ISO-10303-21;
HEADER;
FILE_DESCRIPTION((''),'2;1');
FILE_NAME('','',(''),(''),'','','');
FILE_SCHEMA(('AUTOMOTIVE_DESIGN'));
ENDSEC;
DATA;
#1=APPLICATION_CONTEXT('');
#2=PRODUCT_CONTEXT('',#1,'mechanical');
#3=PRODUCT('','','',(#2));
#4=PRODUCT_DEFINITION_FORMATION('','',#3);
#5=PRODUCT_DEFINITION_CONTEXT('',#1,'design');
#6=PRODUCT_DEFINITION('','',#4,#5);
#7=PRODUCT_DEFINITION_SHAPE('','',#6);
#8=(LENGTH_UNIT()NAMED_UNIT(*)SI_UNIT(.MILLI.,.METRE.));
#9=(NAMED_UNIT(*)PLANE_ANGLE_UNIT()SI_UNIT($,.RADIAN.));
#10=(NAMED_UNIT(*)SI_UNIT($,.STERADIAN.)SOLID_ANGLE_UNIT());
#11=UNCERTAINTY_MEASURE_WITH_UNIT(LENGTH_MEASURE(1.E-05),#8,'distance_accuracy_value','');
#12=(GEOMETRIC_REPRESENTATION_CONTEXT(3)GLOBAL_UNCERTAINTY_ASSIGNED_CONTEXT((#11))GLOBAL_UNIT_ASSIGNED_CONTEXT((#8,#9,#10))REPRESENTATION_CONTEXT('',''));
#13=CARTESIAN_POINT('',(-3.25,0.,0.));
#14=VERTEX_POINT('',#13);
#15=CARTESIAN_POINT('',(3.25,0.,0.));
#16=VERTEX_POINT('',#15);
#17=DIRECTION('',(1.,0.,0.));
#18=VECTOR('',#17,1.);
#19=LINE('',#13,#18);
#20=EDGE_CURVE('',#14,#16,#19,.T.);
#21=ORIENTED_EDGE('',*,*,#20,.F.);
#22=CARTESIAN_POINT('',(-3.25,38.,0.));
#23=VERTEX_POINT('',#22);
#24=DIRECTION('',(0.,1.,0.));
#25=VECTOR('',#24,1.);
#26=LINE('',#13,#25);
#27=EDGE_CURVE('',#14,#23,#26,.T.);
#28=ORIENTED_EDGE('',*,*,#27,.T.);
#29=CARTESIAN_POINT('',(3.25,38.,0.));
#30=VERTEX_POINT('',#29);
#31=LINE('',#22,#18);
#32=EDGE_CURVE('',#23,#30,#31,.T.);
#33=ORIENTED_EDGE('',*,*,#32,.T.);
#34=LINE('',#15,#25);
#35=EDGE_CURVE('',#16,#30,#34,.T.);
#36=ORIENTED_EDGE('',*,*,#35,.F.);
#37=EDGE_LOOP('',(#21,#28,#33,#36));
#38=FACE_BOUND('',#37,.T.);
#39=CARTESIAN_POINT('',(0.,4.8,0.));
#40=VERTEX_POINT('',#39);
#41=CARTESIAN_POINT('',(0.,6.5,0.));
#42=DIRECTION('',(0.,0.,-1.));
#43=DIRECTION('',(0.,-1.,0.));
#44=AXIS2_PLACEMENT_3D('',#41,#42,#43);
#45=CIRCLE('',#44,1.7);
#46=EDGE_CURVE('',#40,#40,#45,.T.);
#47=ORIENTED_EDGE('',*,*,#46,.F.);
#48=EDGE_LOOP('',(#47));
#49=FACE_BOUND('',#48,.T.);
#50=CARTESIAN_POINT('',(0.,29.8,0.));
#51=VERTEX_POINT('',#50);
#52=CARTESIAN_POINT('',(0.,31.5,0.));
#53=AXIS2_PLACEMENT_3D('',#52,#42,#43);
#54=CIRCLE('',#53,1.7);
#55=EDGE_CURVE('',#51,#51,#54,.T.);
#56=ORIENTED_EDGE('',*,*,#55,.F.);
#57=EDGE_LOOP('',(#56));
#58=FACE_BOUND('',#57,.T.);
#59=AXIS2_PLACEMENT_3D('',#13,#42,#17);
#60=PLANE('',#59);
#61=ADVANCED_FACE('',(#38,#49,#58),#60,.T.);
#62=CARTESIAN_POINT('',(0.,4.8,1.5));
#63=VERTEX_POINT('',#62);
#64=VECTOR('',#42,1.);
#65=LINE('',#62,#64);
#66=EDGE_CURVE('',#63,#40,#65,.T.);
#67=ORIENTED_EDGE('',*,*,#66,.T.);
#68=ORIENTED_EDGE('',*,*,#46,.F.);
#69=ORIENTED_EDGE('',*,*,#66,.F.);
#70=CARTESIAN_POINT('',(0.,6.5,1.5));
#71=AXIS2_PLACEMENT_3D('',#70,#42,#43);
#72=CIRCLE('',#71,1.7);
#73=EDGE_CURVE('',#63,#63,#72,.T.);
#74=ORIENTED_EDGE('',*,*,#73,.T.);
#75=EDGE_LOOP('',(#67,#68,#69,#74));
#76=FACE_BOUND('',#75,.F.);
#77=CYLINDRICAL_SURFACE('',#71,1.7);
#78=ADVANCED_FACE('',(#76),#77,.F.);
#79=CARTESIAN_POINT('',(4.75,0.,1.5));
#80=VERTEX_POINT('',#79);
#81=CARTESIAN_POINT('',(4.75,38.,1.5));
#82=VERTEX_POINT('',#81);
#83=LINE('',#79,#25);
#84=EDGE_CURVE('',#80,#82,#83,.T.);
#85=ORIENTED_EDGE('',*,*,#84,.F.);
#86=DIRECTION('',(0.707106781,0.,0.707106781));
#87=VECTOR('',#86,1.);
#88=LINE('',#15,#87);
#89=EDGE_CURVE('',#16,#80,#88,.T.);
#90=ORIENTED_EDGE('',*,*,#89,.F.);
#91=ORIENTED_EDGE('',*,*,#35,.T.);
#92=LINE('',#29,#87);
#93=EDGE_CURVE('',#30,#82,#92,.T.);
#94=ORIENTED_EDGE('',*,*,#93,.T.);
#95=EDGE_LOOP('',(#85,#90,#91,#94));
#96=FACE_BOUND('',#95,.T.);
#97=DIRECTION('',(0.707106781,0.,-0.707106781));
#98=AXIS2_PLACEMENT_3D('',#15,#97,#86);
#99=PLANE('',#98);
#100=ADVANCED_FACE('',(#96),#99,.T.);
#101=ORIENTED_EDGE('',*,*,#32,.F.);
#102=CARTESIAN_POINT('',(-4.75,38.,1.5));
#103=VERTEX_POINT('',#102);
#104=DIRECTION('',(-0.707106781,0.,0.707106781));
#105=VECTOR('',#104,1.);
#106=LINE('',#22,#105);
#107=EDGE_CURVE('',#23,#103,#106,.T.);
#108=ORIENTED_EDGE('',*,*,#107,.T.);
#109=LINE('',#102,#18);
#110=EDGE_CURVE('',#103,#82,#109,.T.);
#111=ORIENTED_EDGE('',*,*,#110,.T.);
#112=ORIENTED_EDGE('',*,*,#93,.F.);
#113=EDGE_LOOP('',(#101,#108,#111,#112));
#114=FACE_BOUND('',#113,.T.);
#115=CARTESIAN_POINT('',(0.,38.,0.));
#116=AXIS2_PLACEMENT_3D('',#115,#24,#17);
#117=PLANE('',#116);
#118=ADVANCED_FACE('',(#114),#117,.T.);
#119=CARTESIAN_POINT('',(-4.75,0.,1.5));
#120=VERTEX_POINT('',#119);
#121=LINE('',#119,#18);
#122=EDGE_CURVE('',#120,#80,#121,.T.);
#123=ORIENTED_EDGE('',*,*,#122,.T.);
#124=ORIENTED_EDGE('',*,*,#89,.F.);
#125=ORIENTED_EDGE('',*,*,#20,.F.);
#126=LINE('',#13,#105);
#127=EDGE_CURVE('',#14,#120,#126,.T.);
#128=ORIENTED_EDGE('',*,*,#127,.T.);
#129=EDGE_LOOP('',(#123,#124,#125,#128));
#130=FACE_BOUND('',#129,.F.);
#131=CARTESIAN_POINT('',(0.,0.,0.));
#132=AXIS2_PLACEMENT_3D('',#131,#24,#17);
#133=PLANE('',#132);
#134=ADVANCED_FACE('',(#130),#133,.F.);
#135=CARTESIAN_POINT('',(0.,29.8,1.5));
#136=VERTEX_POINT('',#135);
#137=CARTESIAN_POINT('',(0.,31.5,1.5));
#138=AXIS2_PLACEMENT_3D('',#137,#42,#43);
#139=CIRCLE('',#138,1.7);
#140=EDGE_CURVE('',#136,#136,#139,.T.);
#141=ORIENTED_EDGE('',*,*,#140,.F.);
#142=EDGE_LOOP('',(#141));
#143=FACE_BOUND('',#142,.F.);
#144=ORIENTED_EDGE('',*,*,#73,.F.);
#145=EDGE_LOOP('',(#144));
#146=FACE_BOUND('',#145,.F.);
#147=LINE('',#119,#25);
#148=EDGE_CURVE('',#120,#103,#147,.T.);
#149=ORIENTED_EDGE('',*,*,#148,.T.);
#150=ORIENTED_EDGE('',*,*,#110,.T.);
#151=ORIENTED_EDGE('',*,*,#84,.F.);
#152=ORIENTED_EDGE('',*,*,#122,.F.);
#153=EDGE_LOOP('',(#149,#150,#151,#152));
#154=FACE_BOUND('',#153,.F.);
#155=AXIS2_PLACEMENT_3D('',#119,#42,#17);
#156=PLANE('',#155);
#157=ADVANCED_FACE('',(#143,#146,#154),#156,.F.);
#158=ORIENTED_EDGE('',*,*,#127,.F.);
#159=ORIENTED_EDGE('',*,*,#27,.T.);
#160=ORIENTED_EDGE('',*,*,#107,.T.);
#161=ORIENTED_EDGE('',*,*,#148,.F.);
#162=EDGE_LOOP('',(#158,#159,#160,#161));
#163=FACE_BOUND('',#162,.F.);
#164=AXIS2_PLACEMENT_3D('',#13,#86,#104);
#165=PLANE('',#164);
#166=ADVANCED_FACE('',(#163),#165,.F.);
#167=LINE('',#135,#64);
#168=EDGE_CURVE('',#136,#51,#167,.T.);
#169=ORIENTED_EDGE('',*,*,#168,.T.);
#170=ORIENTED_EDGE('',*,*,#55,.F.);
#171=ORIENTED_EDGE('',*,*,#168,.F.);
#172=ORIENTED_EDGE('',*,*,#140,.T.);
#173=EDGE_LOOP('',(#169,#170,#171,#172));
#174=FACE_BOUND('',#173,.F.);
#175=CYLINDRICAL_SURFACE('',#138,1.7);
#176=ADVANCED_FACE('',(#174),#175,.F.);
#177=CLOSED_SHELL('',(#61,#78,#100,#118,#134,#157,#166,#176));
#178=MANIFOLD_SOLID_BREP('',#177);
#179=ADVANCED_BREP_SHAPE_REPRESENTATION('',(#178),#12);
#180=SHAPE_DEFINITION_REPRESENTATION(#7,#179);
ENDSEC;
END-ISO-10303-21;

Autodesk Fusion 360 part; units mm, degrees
sketch "Sketch1" plane through (0, 0, 0) normal (0, 1, 0) x (1, 0, 0)
  line L0 (-3.25, 0) -> (3.25, 0)
  line L1 (-4.75, -1.5) -> (4.75, -1.5)
  line L2 (0, -1.5) -> (0, 0) construction
  line L3 (-3.25, 0) -> (-4.75, -1.5)
  line L4 (3.25, 0) -> (4.75, -1.5)
  dimension "d1" = 6.5
  dimension "d2" = 9.5
  dimension "d3" = 45
extrude "Extrude1" add sketch "Sketch1" along normal blind 38
sketch "Sketch2" plane through (0, 0, 1.5) normal (0, 0, 1) x (-1, 0, 0)
  line L0 (4.75, 0) -> (-4.75, 0)
  line L1 (-4.75, 0) -> (-4.75, -38)
  line L2 (-4.75, -38) -> (4.75, -38)
  line L3 (4.75, -38) -> (4.75, 0)
  line L4 (0, 0) -> (0, -38) construction
  point P0 (0, -31.5)
  point P1 (0, -6.5)
  dimension "d6" = 25
  dimension "d7" = 6.5
hole "Hole1" at (0, 31.5, 1.5) at (0, 6.5, 1.5) direction (0, 0, -1) diameter 3.4 depth 16 tip angle 118
